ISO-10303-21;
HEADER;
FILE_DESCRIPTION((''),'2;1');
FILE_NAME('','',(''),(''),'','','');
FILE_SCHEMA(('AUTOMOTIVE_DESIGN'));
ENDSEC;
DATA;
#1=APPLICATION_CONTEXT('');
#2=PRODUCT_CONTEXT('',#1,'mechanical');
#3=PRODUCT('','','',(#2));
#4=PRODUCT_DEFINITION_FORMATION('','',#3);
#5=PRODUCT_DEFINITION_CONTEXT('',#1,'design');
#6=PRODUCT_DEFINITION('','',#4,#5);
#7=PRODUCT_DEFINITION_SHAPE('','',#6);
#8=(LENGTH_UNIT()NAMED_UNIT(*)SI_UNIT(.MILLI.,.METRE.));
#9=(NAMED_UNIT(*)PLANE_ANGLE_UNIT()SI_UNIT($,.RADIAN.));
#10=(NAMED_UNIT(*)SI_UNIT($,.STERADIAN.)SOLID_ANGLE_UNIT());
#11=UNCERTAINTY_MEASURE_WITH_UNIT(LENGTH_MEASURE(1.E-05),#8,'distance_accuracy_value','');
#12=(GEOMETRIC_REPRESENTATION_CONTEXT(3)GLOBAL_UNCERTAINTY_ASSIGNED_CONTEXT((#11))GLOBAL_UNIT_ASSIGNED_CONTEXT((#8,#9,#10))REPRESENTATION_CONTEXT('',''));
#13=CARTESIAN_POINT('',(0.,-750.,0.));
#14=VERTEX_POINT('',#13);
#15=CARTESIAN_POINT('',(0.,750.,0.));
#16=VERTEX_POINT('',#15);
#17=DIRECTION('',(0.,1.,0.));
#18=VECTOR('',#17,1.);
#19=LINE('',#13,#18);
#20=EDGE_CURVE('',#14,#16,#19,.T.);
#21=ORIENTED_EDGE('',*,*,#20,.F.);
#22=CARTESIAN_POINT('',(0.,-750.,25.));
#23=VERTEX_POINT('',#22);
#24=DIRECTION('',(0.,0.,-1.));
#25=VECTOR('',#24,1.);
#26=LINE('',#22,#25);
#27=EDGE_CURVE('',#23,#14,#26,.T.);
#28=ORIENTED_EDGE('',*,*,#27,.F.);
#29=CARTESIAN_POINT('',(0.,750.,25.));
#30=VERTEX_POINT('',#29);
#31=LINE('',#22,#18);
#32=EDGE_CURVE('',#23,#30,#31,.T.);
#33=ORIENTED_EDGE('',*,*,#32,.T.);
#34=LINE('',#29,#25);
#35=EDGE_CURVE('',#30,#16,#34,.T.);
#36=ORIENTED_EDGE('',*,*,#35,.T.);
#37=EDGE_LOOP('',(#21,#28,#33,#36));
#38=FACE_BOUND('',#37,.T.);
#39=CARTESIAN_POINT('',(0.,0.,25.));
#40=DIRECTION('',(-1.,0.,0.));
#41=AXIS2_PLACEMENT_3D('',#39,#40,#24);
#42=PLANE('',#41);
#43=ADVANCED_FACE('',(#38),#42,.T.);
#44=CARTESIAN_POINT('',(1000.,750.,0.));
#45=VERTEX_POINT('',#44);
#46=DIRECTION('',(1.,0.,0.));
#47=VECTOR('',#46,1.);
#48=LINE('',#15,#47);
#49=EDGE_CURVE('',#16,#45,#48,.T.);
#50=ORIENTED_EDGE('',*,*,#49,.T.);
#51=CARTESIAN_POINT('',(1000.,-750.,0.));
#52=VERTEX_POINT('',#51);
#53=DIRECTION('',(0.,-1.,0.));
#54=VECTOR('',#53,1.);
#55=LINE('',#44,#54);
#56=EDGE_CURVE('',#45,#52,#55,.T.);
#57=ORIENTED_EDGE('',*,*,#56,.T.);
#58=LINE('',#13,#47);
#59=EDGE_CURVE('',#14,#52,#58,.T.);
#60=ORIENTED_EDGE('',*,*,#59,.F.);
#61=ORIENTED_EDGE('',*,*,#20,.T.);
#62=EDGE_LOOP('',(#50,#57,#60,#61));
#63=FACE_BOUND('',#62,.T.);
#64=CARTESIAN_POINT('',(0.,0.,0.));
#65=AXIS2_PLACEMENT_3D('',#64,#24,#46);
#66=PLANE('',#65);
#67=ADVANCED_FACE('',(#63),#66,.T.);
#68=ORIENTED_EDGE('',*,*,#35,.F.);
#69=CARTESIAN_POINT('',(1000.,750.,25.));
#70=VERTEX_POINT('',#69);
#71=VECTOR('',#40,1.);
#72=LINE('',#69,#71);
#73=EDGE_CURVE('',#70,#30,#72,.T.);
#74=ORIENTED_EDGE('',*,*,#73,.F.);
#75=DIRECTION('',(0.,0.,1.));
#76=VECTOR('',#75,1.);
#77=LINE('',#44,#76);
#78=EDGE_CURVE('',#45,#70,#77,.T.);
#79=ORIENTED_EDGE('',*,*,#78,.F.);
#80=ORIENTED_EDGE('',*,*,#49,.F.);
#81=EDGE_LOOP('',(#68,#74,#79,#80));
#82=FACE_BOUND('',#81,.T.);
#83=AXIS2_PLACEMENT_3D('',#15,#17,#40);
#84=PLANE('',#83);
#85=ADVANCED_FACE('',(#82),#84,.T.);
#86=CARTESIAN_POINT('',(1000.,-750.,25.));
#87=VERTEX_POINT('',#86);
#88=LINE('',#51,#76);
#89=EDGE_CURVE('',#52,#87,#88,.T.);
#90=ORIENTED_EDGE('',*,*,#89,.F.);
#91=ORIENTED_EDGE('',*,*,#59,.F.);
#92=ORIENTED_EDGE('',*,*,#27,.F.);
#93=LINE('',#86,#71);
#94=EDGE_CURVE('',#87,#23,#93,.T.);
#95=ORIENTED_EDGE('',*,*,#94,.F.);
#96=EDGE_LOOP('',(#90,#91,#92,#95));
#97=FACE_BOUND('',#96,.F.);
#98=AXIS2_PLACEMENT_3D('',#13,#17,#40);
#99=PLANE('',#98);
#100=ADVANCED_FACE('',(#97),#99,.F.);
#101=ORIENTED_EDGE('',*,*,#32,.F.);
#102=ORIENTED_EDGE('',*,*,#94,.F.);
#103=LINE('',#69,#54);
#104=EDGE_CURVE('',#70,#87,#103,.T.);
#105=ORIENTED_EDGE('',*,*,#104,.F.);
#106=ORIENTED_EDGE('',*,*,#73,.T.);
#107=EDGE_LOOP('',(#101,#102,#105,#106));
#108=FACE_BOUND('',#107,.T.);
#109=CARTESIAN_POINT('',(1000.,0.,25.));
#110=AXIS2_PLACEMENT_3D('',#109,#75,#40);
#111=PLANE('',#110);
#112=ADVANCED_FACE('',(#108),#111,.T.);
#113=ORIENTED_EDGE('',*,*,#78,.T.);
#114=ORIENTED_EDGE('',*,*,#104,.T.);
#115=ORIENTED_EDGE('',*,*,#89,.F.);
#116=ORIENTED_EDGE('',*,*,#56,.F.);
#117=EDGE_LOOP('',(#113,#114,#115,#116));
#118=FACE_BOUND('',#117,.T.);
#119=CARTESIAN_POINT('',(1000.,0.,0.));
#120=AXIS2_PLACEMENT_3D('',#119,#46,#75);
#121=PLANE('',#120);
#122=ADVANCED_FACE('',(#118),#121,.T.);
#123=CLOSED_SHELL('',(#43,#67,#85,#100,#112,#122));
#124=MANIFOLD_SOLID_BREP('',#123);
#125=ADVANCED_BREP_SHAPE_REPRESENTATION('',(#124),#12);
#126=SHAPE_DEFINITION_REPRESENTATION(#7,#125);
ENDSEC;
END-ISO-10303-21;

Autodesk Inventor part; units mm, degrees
ref_plane "YZ Plane" through (0, 0, 0) normal (1, 0, 0) x (0, 1, 0)
ref_plane "XZ Plane" through (0, 0, 0) normal (0, 1, 0) x (-1, 0, 0)
ref_plane "XY Plane" through (0, 0, 0) normal (0, 0, 1) x (1, 0, 0)
sketch "スケッチ1" plane through (0, 0, 0) normal (0, 1, 0) x (-1, 0, 0)
  line L0 (0, 0) -> (-1000, 0)
  line L1 (-1000, 0) -> (-1000, 25)
  line L2 (-1000, 25) -> (0, 25)
  line L3 (0, 25) -> (0, 0)
  dimension "d0" = 25
  dimension "d1" = 1000
extrude "押し出し1" add sketch "スケッチ1" along normal mid plane 1500
sketch "スケッチ2" plane through (0, -750, 25) normal (0, 0, 1) x (1, 0, 0)
  circle A0 centre (500, 1150) radius 33
  line L0 (0, 1500) -> (0, 750) projected
  line L1 (0, 1500) -> (1000, 1500) projected
  dimension "d4" = 66
  dimension "d6" = 500
  dimension "d10" = 350
extrude "押し出し2" [suppressed]
properties part number "table_kan"
